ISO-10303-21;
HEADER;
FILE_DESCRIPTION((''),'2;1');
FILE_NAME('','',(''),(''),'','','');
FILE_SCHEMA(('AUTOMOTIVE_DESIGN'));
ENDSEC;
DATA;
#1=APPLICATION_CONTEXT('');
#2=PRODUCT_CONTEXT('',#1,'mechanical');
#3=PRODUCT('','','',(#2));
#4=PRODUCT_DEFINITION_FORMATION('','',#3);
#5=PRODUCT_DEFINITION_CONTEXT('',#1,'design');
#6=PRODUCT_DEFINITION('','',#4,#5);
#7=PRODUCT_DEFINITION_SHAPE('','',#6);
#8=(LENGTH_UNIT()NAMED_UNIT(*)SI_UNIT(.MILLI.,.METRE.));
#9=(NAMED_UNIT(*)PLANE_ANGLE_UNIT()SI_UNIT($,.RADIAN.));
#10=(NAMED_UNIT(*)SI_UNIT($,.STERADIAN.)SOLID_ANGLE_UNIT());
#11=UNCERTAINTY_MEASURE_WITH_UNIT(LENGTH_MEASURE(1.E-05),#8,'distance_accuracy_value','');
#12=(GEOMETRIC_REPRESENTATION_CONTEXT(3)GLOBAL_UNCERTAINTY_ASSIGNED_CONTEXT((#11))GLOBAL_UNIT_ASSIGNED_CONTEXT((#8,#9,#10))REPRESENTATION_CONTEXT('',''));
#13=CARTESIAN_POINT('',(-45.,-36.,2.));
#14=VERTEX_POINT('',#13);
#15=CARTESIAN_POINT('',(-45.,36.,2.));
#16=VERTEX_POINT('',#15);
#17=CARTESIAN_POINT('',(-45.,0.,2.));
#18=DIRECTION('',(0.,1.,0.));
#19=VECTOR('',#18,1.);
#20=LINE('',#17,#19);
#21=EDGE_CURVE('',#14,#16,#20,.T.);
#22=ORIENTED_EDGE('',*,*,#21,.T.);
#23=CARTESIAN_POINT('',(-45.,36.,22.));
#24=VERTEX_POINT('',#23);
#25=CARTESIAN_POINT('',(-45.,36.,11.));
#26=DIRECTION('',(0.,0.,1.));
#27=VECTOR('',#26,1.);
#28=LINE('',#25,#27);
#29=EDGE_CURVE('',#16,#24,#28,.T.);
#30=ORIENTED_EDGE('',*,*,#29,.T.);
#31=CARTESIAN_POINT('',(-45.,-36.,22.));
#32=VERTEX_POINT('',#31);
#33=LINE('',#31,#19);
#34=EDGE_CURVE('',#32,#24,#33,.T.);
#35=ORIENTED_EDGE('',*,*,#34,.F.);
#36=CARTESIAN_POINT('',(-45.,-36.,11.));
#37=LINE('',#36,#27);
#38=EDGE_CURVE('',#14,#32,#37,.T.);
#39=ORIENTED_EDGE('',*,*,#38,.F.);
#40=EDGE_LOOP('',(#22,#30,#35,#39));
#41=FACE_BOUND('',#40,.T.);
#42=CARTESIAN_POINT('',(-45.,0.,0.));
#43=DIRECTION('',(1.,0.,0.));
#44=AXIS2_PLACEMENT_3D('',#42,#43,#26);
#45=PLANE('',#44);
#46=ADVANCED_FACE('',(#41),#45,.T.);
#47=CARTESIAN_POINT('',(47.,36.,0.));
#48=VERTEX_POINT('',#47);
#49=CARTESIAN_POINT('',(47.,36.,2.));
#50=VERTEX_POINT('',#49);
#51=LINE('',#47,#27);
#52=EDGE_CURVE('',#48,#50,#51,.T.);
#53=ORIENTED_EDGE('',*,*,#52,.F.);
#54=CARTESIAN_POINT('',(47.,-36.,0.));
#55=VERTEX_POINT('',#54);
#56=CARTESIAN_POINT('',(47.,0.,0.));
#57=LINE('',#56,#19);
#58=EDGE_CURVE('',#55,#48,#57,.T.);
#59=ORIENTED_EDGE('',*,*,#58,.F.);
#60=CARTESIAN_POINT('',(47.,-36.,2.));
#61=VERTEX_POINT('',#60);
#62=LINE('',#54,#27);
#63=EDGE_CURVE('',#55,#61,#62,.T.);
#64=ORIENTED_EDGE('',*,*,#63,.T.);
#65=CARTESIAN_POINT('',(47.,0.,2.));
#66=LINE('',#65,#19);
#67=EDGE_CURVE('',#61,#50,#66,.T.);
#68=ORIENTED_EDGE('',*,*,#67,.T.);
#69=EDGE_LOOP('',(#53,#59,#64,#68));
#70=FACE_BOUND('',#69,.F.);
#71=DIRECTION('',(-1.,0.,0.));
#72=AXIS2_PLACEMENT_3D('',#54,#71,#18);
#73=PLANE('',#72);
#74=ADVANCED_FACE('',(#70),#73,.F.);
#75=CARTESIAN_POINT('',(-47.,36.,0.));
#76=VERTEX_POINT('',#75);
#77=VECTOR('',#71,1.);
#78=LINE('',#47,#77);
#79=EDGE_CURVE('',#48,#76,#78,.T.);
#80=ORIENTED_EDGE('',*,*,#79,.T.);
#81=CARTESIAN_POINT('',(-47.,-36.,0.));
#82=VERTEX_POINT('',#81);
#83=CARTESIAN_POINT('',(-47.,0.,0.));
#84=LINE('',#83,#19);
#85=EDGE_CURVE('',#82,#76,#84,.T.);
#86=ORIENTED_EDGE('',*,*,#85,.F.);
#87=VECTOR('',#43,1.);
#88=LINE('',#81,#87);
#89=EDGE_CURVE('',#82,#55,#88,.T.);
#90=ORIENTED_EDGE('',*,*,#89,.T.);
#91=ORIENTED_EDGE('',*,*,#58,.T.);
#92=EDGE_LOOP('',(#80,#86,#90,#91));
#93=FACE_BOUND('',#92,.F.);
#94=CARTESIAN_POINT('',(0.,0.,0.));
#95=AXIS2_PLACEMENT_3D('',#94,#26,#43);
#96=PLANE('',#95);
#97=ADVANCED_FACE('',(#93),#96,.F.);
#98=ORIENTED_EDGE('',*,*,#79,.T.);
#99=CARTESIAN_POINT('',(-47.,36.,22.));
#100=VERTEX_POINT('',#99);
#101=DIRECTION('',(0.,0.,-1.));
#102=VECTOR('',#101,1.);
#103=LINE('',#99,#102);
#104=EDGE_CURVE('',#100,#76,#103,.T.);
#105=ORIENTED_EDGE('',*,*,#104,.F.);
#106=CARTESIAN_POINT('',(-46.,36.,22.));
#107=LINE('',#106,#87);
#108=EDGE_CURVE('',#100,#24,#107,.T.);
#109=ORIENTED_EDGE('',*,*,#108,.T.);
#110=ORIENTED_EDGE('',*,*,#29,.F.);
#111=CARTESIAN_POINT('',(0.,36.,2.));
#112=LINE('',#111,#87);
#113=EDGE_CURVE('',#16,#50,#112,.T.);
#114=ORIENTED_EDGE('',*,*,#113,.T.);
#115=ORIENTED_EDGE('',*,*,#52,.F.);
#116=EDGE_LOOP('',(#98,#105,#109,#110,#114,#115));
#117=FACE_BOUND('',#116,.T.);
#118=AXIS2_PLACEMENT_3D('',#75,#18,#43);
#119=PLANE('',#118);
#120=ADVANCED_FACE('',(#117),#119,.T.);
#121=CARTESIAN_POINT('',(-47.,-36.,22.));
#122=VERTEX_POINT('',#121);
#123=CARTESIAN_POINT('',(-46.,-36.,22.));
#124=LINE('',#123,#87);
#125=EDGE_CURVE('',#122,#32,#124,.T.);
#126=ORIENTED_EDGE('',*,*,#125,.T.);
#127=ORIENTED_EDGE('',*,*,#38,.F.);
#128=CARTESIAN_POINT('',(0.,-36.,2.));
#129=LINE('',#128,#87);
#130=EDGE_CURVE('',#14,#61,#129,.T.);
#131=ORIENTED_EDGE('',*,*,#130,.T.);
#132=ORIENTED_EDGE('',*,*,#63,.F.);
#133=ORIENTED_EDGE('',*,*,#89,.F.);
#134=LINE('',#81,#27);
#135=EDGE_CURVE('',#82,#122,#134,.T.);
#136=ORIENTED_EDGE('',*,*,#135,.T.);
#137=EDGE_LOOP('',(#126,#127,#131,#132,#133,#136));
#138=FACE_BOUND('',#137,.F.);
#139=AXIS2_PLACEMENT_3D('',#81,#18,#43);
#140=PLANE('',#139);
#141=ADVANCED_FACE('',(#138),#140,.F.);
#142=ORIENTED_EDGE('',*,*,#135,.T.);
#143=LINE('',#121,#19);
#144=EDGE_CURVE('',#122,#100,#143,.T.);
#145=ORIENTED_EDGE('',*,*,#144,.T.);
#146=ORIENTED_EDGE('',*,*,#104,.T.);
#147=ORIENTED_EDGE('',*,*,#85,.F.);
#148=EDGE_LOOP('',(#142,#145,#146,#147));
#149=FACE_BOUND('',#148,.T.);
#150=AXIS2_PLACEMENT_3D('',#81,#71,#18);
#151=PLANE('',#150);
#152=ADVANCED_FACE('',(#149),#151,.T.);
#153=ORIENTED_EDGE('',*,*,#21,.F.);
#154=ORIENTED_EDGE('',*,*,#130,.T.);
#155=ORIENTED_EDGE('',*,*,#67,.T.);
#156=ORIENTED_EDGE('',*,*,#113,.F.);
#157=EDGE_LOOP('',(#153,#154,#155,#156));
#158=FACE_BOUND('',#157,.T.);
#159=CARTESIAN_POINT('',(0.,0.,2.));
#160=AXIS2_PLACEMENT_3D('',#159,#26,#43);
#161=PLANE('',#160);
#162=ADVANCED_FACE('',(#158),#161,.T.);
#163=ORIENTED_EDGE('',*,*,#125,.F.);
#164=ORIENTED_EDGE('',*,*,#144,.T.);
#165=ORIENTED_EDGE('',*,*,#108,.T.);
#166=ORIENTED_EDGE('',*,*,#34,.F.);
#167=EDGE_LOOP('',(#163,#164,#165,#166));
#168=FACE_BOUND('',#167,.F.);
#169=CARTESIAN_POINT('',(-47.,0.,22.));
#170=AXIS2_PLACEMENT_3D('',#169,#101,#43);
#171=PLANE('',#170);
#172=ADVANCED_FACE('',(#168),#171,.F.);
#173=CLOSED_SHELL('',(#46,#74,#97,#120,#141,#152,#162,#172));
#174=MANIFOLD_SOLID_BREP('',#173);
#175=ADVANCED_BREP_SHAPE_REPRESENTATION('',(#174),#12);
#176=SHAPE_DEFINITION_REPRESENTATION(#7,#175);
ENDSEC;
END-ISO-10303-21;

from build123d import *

# Parameters (mm, degrees)
F0_W     = 94
F0_H     = 72
F1_DEPTH = 2
F2_W     = 2
F2_H     = 22
F3_DEPTH = 36


with BuildPart() as f1:
    # F0 (on Top) → F1 (new body)
    with BuildSketch(Plane.XY):
        Rectangle(F0_W, F0_H)
    extrude(amount=F1_DEPTH)

    # F2 (on Front) → F3 (join, symmetric)
    with BuildSketch(Plane.XZ):
        with Locations((-46, 11)):
            Rectangle(F2_W, F2_H)
    extrude(amount=F3_DEPTH, both=True)


solid = f1.part
